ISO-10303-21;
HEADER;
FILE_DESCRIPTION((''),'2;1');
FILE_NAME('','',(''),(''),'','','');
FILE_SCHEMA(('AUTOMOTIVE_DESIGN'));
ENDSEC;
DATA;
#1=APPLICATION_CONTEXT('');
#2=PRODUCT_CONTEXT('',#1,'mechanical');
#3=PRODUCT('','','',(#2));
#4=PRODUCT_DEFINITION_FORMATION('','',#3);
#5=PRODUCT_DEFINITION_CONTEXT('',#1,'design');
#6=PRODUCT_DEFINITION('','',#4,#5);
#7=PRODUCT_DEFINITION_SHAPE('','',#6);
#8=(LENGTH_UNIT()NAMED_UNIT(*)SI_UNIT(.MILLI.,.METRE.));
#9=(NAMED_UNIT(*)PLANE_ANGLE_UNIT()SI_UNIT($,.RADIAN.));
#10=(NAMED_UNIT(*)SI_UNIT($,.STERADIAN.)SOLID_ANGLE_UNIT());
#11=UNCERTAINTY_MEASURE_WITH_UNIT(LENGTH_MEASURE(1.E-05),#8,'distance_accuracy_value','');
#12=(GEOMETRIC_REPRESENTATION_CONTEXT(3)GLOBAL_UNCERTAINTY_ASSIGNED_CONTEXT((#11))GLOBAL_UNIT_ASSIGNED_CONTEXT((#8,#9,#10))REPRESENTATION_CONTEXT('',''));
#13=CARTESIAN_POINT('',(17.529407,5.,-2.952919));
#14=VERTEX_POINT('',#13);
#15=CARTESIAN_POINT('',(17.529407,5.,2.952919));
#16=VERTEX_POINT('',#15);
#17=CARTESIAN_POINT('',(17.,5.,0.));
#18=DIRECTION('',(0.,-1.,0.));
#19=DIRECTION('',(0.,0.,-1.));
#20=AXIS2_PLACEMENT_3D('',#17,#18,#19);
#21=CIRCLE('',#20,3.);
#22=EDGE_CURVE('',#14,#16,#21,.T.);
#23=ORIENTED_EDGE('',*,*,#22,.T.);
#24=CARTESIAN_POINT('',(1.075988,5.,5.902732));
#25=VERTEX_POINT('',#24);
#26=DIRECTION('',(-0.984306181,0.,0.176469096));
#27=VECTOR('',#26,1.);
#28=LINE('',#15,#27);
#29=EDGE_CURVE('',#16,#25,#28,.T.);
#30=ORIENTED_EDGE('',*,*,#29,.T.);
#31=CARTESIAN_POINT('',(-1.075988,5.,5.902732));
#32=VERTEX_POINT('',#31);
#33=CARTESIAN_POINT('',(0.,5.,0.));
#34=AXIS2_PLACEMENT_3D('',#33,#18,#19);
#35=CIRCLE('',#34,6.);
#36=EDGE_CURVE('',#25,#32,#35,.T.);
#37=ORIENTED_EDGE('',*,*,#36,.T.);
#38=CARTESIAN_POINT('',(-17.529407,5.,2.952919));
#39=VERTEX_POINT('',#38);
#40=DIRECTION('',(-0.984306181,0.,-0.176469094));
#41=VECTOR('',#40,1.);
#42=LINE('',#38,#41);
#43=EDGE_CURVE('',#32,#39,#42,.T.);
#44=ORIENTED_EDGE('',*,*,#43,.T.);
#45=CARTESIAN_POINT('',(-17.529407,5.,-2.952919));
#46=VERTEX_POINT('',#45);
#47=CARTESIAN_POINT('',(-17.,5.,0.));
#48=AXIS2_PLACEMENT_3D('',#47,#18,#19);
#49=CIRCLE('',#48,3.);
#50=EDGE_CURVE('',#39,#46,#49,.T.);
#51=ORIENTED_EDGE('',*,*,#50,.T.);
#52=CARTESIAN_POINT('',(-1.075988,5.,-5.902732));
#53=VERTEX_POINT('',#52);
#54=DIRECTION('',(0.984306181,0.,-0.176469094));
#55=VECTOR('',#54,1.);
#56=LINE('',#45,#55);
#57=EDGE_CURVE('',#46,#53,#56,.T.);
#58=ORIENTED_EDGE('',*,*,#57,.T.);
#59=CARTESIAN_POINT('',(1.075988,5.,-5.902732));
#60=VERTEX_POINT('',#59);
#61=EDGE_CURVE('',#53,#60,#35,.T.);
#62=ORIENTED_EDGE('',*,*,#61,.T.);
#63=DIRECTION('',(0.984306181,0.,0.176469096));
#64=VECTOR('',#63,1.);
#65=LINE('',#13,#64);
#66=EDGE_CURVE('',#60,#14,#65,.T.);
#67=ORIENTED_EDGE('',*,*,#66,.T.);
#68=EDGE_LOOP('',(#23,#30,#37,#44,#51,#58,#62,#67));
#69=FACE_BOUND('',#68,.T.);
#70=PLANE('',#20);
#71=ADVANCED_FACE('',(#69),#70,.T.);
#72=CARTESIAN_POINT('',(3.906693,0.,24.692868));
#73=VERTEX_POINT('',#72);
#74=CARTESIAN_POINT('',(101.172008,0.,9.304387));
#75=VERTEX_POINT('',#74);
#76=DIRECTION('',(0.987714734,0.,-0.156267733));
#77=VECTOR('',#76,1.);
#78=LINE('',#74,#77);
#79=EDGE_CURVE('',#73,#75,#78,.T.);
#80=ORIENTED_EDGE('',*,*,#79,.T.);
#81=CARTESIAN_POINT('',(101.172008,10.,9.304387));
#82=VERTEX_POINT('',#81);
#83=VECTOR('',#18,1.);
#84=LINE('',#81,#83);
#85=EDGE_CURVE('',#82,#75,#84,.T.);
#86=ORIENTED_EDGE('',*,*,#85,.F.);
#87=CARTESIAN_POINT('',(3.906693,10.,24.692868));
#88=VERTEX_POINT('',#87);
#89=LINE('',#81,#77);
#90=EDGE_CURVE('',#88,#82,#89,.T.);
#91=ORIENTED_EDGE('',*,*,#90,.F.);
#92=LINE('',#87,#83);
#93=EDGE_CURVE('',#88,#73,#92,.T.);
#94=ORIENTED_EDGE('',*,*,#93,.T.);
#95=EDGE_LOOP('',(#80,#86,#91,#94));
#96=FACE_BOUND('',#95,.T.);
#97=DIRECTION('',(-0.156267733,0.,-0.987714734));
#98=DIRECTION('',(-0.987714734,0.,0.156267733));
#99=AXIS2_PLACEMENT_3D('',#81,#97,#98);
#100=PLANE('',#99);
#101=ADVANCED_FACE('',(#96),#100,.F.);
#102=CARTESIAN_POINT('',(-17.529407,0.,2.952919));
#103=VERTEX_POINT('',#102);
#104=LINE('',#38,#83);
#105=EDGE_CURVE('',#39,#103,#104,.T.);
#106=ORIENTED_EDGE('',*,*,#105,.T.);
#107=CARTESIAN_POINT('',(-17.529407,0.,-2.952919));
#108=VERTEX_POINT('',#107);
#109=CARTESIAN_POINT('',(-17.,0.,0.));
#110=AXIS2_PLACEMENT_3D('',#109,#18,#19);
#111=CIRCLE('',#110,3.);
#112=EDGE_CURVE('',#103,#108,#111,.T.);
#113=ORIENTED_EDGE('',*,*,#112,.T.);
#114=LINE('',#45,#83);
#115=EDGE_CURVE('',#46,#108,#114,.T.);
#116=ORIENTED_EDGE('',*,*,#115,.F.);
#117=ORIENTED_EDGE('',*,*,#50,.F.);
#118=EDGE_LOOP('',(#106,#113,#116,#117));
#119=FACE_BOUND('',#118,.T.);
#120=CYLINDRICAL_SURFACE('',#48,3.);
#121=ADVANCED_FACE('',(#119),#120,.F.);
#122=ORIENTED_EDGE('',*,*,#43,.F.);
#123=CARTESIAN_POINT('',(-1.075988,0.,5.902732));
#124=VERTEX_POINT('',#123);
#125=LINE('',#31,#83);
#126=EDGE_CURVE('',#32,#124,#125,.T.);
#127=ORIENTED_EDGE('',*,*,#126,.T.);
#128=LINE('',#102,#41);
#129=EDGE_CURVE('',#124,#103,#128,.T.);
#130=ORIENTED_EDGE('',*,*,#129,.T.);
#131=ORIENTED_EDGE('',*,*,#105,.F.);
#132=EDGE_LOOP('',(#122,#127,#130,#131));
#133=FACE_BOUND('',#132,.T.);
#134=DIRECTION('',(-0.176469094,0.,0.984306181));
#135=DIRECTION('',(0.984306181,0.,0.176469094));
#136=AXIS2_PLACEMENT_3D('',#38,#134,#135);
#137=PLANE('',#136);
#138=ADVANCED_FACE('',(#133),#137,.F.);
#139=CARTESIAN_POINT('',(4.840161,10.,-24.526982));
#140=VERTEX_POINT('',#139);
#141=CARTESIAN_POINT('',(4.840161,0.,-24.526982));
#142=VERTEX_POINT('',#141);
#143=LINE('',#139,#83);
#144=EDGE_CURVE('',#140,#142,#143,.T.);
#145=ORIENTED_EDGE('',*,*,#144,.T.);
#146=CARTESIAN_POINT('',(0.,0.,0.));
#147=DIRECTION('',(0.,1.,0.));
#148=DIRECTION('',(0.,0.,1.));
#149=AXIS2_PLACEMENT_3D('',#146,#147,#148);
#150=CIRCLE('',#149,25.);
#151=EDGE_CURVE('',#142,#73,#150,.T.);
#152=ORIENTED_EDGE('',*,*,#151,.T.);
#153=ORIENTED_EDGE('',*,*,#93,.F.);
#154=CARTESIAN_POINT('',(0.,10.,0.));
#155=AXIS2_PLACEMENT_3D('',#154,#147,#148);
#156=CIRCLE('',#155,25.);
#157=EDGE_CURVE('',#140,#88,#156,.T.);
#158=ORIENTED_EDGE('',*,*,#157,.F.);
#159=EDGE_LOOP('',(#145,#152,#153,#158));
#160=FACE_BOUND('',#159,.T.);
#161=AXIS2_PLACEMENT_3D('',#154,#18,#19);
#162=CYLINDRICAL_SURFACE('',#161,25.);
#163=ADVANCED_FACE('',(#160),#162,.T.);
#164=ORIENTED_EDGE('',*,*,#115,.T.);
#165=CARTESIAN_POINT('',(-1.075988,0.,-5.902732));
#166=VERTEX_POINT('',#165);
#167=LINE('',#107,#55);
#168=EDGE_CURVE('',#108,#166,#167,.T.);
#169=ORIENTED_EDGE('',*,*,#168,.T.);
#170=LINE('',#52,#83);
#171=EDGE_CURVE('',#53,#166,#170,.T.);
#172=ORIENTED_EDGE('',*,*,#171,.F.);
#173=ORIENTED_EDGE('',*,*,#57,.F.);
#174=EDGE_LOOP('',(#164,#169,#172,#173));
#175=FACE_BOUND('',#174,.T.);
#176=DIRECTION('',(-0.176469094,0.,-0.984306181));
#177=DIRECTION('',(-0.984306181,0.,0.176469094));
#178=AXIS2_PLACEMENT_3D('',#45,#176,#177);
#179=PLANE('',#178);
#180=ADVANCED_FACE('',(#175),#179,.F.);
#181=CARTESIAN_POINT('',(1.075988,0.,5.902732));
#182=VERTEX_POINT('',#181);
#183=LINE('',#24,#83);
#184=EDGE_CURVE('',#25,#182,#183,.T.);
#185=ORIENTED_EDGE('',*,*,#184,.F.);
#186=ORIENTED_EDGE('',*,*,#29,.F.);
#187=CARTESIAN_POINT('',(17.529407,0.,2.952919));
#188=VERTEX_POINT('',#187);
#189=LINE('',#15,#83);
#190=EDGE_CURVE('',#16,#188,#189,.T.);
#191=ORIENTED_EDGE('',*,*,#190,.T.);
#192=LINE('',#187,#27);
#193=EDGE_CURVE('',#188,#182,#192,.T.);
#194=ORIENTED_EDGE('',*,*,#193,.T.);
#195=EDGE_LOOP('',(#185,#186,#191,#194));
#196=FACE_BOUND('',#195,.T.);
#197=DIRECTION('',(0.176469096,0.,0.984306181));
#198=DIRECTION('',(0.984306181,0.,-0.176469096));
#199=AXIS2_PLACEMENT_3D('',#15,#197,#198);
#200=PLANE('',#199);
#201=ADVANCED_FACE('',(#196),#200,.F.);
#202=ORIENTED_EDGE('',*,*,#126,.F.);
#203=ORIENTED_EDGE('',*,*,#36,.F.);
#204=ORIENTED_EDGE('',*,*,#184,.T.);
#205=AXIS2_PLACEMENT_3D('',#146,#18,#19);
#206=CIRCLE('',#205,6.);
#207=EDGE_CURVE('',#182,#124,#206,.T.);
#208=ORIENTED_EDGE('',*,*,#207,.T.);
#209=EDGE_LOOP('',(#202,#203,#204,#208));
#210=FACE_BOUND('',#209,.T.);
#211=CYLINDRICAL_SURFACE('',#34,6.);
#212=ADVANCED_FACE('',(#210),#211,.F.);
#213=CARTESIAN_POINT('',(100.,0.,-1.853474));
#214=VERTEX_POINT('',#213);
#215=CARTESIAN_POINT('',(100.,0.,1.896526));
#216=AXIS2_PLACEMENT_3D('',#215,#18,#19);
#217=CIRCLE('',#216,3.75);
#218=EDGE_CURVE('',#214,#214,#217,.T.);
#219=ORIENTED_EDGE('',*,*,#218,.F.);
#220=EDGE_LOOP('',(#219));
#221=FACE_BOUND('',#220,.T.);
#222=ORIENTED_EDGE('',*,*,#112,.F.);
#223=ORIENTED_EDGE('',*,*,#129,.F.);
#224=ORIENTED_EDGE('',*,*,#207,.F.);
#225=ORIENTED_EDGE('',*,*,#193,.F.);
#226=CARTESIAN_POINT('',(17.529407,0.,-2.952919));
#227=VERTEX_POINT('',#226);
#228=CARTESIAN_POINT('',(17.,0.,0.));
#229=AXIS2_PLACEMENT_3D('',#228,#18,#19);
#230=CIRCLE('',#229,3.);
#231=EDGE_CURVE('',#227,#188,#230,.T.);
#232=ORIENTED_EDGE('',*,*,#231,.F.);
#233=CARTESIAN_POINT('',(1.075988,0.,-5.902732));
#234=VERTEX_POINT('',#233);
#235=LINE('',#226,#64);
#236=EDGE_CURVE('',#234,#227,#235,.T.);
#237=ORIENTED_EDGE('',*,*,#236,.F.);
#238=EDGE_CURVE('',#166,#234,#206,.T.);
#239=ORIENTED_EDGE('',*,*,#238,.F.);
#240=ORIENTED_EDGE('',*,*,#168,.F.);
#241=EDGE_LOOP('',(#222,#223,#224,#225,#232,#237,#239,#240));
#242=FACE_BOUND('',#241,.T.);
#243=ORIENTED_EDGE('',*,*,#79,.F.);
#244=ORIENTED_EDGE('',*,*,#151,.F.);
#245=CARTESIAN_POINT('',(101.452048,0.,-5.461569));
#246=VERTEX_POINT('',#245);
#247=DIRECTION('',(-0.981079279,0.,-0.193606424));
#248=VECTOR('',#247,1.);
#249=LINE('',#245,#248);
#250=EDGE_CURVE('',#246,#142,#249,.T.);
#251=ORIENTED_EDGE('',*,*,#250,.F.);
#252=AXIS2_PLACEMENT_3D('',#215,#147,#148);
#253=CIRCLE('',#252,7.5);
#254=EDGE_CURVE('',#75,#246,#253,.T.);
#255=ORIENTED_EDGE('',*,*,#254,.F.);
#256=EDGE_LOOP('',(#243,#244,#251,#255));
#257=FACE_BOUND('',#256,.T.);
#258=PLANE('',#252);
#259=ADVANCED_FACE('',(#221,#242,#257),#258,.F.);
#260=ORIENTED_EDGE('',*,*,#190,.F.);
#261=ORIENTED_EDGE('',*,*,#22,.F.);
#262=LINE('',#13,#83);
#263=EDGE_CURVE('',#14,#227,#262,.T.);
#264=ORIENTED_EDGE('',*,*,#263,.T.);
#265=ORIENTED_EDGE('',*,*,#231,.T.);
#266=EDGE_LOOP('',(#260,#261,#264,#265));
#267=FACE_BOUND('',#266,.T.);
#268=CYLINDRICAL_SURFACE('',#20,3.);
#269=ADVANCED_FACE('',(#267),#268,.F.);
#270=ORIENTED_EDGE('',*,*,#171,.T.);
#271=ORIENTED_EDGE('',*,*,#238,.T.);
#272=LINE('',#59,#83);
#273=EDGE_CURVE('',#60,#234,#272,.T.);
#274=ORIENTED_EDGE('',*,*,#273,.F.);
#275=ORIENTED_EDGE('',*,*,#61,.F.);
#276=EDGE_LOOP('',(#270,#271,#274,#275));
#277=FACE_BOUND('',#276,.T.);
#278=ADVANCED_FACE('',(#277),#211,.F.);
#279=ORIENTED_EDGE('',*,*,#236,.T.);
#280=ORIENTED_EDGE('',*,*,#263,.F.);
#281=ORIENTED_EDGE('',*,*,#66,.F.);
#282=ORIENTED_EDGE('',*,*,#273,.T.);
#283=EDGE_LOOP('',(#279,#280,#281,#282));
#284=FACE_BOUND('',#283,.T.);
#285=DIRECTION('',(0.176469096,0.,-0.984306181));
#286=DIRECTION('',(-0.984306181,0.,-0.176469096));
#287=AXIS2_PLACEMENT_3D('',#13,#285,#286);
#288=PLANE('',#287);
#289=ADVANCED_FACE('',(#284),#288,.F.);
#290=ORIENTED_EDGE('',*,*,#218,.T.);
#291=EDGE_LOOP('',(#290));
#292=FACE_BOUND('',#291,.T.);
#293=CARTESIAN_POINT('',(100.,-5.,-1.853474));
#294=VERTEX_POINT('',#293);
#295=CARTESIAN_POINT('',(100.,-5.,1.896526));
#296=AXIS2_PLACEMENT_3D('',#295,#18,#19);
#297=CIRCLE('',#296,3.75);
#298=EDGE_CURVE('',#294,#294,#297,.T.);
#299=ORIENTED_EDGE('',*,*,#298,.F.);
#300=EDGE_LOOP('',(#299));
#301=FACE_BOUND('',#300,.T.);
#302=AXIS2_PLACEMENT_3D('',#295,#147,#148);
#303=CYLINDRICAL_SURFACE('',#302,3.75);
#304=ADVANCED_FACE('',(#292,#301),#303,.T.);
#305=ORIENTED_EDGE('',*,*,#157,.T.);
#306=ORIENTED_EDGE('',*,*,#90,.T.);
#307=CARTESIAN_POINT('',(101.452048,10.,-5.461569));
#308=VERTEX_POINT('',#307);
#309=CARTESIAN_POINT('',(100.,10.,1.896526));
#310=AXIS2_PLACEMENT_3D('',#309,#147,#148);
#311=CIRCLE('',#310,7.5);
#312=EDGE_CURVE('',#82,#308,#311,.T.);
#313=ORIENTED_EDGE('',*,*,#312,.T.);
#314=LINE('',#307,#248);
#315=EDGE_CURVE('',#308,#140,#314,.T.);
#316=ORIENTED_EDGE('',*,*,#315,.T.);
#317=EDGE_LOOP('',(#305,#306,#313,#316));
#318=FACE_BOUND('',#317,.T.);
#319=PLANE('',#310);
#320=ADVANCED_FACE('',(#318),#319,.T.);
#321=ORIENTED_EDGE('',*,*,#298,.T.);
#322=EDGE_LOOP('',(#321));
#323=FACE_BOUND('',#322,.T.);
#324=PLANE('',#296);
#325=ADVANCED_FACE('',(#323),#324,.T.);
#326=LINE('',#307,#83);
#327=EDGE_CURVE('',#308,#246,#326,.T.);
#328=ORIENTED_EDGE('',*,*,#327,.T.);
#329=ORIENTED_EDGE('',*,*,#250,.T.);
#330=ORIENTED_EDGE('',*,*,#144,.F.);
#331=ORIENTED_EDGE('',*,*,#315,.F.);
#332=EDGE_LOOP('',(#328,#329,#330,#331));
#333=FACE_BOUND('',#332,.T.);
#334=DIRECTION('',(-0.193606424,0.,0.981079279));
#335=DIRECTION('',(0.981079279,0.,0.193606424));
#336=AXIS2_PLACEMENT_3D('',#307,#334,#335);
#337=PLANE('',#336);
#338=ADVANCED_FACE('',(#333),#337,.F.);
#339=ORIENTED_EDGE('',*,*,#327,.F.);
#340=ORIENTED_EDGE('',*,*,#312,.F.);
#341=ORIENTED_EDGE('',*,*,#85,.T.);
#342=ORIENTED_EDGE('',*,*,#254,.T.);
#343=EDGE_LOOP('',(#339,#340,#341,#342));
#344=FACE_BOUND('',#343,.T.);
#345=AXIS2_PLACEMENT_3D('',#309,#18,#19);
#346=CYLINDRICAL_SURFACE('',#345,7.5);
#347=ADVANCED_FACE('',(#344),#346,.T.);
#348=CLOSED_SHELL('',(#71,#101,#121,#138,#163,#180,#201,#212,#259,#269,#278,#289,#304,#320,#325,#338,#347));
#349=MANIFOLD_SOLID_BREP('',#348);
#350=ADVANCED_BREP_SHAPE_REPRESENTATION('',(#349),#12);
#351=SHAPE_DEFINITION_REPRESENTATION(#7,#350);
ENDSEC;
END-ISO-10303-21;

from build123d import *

# Parameters (mm, degrees)
BOSS_EXTRUDE1_DEPTH = 10
SKETCH3_R           = 3.75
CUT_EXTRUDE1_DEPTH  = 5
SKETCH4_R           = 3.75
BOSS_EXTRUDE2_DEPTH = 10


with BuildPart() as part:
    # Sketch1 → Boss-Extrude1 (new body)
    with BuildSketch(Plane(origin=(0, 0, 0), x_dir=(1, 0, 0), z_dir=(0, 1, 0))):
        with BuildLine():
            Line((101.452048182, 5.461568526), (4.840160607, 24.526981985))
            ThreePointArc((4.840160607, 24.526981985), (-24.995505199, 0.474046272), (3.906693314, -24.69286835))
            Line((3.906693314, -24.69286835), (101.172007994, -9.304386575))
            ThreePointArc((101.172007994, -9.304386575), (107.49865156, -2.038739951), (101.452048182, 5.461568526))
        make_face()
    extrude(amount=BOSS_EXTRUDE1_DEPTH)

    # Sketch3 → Cut-Extrude1 (cut)
    with BuildSketch(Plane.XZ):
        with Locations((100, 1.89652607)):
            Circle(SKETCH3_R)
        with BuildLine():
            Line((17.529407273, -2.952918523), (1.075988404, -5.902732327))
            ThreePointArc((1.075988404, -5.902732327), (-9e-09, -6), (-1.075988422, -5.902732329))
            Line((-1.075988422, -5.902732329), (-17.529407298, -2.952918565))
            ThreePointArc((-17.529407298, -2.952918565), (-20.000000128, 0), (-17.529407298, 2.952918565))
            Line((-17.529407298, 2.952918565), (-1.075988422, 5.902732329))
            ThreePointArc((-1.075988422, 5.902732329), (-9e-09, 6), (1.075988404, 5.902732327))
            Line((1.075988404, 5.902732327), (17.529407273, 2.952918523))
            ThreePointArc((17.529407273, 2.952918523), (19.999999872, 0), (17.529407273, -2.952918523))
        make_face()
    extrude(amount=-CUT_EXTRUDE1_DEPTH, mode=Mode.SUBTRACT)

    # Sketch4 → Boss-Extrude2 (add)
    with BuildSketch(Plane.XZ.offset(-5)):
        with Locations((100, 1.89652607)):
            Circle(SKETCH4_R)
    extrude(amount=BOSS_EXTRUDE2_DEPTH)


solid = part.part
